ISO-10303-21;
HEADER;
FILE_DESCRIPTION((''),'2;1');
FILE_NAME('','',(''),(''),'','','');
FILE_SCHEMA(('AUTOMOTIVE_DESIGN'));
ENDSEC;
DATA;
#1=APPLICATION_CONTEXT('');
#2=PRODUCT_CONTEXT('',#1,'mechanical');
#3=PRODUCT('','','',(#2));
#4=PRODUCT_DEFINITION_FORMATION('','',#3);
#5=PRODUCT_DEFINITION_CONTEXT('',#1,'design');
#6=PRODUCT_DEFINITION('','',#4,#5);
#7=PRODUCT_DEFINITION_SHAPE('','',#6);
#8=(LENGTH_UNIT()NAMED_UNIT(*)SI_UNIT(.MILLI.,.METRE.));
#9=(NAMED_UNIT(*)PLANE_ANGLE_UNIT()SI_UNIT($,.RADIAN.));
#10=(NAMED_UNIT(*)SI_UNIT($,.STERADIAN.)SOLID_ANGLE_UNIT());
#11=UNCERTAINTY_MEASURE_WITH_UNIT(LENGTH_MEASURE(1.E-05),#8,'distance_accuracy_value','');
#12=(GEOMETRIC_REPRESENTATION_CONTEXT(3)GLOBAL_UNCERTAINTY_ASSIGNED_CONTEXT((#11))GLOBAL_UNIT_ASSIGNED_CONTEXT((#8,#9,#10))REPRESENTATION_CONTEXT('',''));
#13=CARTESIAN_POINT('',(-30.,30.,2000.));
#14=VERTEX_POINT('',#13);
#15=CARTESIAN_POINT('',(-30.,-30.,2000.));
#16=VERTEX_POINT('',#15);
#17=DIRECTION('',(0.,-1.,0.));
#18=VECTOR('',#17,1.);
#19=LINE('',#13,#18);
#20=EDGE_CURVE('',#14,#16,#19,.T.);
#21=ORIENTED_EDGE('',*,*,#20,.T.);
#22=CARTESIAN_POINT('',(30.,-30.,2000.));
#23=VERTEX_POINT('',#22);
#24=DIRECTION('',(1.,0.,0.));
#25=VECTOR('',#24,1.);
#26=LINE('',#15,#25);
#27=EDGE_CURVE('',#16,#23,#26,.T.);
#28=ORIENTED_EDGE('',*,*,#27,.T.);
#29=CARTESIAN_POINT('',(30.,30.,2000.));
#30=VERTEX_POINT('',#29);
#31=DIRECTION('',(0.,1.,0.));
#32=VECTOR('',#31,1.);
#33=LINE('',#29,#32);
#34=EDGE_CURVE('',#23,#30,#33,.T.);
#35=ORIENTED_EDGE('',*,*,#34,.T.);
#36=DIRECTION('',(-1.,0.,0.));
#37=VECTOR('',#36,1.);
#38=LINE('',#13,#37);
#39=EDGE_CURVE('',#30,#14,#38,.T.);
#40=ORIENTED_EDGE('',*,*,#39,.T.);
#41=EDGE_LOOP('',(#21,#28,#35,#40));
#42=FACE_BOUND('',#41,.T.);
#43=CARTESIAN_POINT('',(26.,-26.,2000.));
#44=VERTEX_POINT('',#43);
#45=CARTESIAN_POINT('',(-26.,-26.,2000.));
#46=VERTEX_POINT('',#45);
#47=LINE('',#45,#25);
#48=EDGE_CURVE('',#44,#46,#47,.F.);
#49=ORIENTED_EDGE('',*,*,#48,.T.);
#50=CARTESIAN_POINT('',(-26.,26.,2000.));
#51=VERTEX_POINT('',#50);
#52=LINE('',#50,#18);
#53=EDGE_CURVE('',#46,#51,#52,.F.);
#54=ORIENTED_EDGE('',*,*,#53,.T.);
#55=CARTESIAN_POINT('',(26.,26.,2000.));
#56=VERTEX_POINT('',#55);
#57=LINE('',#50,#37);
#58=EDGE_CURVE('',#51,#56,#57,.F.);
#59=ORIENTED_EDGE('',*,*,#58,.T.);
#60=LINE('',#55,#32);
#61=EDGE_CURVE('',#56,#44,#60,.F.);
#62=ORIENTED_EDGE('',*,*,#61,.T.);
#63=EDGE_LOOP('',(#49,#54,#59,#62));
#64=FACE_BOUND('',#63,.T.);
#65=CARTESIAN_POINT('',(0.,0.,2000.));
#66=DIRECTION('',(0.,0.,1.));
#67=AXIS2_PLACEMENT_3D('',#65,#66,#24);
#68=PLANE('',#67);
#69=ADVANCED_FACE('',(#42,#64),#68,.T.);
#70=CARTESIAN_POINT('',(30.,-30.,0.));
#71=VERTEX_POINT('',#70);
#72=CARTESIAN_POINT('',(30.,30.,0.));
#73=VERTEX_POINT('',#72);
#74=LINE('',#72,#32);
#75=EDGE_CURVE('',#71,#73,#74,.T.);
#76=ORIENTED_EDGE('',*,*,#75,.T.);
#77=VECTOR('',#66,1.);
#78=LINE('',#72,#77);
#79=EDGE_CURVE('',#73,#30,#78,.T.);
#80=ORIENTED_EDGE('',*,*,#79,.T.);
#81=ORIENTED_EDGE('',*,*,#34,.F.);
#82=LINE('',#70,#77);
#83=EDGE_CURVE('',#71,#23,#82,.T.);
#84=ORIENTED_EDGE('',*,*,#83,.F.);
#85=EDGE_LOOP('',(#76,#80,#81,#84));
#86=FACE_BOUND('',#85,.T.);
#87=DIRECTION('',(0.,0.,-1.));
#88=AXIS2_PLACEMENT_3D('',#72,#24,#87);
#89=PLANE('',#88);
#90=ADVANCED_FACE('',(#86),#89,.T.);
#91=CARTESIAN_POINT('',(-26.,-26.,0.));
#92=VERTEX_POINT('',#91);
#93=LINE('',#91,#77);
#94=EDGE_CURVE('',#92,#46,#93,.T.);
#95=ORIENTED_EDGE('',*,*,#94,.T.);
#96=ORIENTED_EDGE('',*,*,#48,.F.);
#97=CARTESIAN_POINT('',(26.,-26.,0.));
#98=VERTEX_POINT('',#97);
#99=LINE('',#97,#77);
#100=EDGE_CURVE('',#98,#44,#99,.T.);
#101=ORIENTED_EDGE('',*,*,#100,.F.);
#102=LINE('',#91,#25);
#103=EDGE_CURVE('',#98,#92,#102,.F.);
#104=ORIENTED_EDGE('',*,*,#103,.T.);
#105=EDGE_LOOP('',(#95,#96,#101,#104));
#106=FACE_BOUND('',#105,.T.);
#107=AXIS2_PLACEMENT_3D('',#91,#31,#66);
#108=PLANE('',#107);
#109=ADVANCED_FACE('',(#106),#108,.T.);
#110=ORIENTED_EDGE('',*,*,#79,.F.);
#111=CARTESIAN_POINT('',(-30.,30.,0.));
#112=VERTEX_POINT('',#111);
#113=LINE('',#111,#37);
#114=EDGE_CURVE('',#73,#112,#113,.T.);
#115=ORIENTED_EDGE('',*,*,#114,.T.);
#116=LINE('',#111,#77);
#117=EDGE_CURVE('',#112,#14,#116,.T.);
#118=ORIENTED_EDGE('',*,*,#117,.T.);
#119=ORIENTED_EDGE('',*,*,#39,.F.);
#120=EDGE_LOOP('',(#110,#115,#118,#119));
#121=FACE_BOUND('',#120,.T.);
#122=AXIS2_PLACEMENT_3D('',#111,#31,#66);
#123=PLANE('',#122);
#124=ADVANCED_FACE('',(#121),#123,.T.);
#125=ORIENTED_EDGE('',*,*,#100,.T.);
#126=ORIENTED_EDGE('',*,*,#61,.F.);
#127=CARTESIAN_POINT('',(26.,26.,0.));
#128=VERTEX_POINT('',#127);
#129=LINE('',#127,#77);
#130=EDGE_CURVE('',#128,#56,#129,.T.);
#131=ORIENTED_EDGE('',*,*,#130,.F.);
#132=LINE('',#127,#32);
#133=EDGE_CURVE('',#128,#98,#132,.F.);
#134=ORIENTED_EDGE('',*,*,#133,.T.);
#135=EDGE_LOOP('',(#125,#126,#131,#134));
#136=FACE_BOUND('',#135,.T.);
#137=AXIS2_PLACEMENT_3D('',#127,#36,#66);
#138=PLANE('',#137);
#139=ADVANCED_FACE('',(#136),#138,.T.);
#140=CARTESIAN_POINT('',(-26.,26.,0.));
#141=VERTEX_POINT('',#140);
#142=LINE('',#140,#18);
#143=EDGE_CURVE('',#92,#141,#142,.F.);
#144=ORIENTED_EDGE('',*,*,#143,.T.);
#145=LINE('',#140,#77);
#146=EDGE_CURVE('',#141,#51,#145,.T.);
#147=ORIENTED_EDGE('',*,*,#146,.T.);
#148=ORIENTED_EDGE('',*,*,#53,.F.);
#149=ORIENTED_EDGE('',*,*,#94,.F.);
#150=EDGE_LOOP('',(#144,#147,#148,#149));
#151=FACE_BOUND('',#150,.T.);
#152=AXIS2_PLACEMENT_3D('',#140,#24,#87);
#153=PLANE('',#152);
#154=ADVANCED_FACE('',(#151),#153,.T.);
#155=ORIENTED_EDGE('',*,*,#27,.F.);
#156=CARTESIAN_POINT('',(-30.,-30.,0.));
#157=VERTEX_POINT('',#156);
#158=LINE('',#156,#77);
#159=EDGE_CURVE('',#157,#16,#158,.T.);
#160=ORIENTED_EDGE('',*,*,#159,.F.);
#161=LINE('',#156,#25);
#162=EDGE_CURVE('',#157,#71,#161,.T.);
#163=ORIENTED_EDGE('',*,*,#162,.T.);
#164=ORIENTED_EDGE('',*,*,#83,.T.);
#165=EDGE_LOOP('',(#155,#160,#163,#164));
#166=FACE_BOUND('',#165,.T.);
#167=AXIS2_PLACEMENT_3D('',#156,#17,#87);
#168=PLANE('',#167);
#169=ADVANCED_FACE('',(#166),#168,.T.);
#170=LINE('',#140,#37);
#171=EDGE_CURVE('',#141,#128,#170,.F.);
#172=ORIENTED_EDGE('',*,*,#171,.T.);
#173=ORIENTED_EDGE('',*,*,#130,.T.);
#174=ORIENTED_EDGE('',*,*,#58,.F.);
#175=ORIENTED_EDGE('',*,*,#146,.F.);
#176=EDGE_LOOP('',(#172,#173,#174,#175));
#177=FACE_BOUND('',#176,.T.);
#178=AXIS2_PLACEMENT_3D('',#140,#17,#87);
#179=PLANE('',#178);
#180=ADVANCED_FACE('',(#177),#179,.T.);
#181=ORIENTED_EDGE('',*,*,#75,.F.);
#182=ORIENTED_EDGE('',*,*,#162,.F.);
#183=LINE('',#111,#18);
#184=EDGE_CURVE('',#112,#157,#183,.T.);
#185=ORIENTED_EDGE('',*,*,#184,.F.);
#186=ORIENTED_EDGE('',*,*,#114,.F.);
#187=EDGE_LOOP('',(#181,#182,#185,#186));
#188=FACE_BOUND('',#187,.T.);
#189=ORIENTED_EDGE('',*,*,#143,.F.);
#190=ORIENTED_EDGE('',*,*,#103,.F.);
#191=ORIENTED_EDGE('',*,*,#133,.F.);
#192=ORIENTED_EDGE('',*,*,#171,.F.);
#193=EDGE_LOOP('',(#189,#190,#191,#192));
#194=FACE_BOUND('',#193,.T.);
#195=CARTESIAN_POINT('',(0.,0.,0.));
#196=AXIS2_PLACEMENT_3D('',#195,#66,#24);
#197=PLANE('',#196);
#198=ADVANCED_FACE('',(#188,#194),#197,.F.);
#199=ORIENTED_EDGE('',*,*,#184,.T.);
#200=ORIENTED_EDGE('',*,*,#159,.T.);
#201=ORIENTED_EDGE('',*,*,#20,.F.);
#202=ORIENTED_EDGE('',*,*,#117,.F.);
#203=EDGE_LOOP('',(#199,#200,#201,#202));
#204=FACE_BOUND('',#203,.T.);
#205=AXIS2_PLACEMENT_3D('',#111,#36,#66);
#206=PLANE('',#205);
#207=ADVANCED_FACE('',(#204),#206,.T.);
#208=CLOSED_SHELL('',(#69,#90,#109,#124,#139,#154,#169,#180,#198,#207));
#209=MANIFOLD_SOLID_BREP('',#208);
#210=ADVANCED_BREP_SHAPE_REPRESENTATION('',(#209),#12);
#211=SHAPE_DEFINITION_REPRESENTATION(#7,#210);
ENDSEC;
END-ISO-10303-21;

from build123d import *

# Parameters (mm, degrees)
SKETCH1_W   = 60
SKETCH1_H   = 60
SKETCH1_W_2 = 52
SKETCH1_H_2 = 52


with BuildPart() as part:
    # Sweep1: sweep along a curve in space
    with BuildLine() as sweep1_path:
        add(Edge.make_bspline(
            [(0, 0, 0), (0, 0, 2000)],
            knots=[0, 0, 1, 1], degree=1))
    # Sketch1 → Sweep1 (sweep)
    with BuildSketch(Plane.XY):
        Rectangle(SKETCH1_W, SKETCH1_H)
        Rectangle(SKETCH1_W_2, SKETCH1_H_2, mode=Mode.SUBTRACT)
    sweep(path=sweep1_path.line)


solid = part.part
